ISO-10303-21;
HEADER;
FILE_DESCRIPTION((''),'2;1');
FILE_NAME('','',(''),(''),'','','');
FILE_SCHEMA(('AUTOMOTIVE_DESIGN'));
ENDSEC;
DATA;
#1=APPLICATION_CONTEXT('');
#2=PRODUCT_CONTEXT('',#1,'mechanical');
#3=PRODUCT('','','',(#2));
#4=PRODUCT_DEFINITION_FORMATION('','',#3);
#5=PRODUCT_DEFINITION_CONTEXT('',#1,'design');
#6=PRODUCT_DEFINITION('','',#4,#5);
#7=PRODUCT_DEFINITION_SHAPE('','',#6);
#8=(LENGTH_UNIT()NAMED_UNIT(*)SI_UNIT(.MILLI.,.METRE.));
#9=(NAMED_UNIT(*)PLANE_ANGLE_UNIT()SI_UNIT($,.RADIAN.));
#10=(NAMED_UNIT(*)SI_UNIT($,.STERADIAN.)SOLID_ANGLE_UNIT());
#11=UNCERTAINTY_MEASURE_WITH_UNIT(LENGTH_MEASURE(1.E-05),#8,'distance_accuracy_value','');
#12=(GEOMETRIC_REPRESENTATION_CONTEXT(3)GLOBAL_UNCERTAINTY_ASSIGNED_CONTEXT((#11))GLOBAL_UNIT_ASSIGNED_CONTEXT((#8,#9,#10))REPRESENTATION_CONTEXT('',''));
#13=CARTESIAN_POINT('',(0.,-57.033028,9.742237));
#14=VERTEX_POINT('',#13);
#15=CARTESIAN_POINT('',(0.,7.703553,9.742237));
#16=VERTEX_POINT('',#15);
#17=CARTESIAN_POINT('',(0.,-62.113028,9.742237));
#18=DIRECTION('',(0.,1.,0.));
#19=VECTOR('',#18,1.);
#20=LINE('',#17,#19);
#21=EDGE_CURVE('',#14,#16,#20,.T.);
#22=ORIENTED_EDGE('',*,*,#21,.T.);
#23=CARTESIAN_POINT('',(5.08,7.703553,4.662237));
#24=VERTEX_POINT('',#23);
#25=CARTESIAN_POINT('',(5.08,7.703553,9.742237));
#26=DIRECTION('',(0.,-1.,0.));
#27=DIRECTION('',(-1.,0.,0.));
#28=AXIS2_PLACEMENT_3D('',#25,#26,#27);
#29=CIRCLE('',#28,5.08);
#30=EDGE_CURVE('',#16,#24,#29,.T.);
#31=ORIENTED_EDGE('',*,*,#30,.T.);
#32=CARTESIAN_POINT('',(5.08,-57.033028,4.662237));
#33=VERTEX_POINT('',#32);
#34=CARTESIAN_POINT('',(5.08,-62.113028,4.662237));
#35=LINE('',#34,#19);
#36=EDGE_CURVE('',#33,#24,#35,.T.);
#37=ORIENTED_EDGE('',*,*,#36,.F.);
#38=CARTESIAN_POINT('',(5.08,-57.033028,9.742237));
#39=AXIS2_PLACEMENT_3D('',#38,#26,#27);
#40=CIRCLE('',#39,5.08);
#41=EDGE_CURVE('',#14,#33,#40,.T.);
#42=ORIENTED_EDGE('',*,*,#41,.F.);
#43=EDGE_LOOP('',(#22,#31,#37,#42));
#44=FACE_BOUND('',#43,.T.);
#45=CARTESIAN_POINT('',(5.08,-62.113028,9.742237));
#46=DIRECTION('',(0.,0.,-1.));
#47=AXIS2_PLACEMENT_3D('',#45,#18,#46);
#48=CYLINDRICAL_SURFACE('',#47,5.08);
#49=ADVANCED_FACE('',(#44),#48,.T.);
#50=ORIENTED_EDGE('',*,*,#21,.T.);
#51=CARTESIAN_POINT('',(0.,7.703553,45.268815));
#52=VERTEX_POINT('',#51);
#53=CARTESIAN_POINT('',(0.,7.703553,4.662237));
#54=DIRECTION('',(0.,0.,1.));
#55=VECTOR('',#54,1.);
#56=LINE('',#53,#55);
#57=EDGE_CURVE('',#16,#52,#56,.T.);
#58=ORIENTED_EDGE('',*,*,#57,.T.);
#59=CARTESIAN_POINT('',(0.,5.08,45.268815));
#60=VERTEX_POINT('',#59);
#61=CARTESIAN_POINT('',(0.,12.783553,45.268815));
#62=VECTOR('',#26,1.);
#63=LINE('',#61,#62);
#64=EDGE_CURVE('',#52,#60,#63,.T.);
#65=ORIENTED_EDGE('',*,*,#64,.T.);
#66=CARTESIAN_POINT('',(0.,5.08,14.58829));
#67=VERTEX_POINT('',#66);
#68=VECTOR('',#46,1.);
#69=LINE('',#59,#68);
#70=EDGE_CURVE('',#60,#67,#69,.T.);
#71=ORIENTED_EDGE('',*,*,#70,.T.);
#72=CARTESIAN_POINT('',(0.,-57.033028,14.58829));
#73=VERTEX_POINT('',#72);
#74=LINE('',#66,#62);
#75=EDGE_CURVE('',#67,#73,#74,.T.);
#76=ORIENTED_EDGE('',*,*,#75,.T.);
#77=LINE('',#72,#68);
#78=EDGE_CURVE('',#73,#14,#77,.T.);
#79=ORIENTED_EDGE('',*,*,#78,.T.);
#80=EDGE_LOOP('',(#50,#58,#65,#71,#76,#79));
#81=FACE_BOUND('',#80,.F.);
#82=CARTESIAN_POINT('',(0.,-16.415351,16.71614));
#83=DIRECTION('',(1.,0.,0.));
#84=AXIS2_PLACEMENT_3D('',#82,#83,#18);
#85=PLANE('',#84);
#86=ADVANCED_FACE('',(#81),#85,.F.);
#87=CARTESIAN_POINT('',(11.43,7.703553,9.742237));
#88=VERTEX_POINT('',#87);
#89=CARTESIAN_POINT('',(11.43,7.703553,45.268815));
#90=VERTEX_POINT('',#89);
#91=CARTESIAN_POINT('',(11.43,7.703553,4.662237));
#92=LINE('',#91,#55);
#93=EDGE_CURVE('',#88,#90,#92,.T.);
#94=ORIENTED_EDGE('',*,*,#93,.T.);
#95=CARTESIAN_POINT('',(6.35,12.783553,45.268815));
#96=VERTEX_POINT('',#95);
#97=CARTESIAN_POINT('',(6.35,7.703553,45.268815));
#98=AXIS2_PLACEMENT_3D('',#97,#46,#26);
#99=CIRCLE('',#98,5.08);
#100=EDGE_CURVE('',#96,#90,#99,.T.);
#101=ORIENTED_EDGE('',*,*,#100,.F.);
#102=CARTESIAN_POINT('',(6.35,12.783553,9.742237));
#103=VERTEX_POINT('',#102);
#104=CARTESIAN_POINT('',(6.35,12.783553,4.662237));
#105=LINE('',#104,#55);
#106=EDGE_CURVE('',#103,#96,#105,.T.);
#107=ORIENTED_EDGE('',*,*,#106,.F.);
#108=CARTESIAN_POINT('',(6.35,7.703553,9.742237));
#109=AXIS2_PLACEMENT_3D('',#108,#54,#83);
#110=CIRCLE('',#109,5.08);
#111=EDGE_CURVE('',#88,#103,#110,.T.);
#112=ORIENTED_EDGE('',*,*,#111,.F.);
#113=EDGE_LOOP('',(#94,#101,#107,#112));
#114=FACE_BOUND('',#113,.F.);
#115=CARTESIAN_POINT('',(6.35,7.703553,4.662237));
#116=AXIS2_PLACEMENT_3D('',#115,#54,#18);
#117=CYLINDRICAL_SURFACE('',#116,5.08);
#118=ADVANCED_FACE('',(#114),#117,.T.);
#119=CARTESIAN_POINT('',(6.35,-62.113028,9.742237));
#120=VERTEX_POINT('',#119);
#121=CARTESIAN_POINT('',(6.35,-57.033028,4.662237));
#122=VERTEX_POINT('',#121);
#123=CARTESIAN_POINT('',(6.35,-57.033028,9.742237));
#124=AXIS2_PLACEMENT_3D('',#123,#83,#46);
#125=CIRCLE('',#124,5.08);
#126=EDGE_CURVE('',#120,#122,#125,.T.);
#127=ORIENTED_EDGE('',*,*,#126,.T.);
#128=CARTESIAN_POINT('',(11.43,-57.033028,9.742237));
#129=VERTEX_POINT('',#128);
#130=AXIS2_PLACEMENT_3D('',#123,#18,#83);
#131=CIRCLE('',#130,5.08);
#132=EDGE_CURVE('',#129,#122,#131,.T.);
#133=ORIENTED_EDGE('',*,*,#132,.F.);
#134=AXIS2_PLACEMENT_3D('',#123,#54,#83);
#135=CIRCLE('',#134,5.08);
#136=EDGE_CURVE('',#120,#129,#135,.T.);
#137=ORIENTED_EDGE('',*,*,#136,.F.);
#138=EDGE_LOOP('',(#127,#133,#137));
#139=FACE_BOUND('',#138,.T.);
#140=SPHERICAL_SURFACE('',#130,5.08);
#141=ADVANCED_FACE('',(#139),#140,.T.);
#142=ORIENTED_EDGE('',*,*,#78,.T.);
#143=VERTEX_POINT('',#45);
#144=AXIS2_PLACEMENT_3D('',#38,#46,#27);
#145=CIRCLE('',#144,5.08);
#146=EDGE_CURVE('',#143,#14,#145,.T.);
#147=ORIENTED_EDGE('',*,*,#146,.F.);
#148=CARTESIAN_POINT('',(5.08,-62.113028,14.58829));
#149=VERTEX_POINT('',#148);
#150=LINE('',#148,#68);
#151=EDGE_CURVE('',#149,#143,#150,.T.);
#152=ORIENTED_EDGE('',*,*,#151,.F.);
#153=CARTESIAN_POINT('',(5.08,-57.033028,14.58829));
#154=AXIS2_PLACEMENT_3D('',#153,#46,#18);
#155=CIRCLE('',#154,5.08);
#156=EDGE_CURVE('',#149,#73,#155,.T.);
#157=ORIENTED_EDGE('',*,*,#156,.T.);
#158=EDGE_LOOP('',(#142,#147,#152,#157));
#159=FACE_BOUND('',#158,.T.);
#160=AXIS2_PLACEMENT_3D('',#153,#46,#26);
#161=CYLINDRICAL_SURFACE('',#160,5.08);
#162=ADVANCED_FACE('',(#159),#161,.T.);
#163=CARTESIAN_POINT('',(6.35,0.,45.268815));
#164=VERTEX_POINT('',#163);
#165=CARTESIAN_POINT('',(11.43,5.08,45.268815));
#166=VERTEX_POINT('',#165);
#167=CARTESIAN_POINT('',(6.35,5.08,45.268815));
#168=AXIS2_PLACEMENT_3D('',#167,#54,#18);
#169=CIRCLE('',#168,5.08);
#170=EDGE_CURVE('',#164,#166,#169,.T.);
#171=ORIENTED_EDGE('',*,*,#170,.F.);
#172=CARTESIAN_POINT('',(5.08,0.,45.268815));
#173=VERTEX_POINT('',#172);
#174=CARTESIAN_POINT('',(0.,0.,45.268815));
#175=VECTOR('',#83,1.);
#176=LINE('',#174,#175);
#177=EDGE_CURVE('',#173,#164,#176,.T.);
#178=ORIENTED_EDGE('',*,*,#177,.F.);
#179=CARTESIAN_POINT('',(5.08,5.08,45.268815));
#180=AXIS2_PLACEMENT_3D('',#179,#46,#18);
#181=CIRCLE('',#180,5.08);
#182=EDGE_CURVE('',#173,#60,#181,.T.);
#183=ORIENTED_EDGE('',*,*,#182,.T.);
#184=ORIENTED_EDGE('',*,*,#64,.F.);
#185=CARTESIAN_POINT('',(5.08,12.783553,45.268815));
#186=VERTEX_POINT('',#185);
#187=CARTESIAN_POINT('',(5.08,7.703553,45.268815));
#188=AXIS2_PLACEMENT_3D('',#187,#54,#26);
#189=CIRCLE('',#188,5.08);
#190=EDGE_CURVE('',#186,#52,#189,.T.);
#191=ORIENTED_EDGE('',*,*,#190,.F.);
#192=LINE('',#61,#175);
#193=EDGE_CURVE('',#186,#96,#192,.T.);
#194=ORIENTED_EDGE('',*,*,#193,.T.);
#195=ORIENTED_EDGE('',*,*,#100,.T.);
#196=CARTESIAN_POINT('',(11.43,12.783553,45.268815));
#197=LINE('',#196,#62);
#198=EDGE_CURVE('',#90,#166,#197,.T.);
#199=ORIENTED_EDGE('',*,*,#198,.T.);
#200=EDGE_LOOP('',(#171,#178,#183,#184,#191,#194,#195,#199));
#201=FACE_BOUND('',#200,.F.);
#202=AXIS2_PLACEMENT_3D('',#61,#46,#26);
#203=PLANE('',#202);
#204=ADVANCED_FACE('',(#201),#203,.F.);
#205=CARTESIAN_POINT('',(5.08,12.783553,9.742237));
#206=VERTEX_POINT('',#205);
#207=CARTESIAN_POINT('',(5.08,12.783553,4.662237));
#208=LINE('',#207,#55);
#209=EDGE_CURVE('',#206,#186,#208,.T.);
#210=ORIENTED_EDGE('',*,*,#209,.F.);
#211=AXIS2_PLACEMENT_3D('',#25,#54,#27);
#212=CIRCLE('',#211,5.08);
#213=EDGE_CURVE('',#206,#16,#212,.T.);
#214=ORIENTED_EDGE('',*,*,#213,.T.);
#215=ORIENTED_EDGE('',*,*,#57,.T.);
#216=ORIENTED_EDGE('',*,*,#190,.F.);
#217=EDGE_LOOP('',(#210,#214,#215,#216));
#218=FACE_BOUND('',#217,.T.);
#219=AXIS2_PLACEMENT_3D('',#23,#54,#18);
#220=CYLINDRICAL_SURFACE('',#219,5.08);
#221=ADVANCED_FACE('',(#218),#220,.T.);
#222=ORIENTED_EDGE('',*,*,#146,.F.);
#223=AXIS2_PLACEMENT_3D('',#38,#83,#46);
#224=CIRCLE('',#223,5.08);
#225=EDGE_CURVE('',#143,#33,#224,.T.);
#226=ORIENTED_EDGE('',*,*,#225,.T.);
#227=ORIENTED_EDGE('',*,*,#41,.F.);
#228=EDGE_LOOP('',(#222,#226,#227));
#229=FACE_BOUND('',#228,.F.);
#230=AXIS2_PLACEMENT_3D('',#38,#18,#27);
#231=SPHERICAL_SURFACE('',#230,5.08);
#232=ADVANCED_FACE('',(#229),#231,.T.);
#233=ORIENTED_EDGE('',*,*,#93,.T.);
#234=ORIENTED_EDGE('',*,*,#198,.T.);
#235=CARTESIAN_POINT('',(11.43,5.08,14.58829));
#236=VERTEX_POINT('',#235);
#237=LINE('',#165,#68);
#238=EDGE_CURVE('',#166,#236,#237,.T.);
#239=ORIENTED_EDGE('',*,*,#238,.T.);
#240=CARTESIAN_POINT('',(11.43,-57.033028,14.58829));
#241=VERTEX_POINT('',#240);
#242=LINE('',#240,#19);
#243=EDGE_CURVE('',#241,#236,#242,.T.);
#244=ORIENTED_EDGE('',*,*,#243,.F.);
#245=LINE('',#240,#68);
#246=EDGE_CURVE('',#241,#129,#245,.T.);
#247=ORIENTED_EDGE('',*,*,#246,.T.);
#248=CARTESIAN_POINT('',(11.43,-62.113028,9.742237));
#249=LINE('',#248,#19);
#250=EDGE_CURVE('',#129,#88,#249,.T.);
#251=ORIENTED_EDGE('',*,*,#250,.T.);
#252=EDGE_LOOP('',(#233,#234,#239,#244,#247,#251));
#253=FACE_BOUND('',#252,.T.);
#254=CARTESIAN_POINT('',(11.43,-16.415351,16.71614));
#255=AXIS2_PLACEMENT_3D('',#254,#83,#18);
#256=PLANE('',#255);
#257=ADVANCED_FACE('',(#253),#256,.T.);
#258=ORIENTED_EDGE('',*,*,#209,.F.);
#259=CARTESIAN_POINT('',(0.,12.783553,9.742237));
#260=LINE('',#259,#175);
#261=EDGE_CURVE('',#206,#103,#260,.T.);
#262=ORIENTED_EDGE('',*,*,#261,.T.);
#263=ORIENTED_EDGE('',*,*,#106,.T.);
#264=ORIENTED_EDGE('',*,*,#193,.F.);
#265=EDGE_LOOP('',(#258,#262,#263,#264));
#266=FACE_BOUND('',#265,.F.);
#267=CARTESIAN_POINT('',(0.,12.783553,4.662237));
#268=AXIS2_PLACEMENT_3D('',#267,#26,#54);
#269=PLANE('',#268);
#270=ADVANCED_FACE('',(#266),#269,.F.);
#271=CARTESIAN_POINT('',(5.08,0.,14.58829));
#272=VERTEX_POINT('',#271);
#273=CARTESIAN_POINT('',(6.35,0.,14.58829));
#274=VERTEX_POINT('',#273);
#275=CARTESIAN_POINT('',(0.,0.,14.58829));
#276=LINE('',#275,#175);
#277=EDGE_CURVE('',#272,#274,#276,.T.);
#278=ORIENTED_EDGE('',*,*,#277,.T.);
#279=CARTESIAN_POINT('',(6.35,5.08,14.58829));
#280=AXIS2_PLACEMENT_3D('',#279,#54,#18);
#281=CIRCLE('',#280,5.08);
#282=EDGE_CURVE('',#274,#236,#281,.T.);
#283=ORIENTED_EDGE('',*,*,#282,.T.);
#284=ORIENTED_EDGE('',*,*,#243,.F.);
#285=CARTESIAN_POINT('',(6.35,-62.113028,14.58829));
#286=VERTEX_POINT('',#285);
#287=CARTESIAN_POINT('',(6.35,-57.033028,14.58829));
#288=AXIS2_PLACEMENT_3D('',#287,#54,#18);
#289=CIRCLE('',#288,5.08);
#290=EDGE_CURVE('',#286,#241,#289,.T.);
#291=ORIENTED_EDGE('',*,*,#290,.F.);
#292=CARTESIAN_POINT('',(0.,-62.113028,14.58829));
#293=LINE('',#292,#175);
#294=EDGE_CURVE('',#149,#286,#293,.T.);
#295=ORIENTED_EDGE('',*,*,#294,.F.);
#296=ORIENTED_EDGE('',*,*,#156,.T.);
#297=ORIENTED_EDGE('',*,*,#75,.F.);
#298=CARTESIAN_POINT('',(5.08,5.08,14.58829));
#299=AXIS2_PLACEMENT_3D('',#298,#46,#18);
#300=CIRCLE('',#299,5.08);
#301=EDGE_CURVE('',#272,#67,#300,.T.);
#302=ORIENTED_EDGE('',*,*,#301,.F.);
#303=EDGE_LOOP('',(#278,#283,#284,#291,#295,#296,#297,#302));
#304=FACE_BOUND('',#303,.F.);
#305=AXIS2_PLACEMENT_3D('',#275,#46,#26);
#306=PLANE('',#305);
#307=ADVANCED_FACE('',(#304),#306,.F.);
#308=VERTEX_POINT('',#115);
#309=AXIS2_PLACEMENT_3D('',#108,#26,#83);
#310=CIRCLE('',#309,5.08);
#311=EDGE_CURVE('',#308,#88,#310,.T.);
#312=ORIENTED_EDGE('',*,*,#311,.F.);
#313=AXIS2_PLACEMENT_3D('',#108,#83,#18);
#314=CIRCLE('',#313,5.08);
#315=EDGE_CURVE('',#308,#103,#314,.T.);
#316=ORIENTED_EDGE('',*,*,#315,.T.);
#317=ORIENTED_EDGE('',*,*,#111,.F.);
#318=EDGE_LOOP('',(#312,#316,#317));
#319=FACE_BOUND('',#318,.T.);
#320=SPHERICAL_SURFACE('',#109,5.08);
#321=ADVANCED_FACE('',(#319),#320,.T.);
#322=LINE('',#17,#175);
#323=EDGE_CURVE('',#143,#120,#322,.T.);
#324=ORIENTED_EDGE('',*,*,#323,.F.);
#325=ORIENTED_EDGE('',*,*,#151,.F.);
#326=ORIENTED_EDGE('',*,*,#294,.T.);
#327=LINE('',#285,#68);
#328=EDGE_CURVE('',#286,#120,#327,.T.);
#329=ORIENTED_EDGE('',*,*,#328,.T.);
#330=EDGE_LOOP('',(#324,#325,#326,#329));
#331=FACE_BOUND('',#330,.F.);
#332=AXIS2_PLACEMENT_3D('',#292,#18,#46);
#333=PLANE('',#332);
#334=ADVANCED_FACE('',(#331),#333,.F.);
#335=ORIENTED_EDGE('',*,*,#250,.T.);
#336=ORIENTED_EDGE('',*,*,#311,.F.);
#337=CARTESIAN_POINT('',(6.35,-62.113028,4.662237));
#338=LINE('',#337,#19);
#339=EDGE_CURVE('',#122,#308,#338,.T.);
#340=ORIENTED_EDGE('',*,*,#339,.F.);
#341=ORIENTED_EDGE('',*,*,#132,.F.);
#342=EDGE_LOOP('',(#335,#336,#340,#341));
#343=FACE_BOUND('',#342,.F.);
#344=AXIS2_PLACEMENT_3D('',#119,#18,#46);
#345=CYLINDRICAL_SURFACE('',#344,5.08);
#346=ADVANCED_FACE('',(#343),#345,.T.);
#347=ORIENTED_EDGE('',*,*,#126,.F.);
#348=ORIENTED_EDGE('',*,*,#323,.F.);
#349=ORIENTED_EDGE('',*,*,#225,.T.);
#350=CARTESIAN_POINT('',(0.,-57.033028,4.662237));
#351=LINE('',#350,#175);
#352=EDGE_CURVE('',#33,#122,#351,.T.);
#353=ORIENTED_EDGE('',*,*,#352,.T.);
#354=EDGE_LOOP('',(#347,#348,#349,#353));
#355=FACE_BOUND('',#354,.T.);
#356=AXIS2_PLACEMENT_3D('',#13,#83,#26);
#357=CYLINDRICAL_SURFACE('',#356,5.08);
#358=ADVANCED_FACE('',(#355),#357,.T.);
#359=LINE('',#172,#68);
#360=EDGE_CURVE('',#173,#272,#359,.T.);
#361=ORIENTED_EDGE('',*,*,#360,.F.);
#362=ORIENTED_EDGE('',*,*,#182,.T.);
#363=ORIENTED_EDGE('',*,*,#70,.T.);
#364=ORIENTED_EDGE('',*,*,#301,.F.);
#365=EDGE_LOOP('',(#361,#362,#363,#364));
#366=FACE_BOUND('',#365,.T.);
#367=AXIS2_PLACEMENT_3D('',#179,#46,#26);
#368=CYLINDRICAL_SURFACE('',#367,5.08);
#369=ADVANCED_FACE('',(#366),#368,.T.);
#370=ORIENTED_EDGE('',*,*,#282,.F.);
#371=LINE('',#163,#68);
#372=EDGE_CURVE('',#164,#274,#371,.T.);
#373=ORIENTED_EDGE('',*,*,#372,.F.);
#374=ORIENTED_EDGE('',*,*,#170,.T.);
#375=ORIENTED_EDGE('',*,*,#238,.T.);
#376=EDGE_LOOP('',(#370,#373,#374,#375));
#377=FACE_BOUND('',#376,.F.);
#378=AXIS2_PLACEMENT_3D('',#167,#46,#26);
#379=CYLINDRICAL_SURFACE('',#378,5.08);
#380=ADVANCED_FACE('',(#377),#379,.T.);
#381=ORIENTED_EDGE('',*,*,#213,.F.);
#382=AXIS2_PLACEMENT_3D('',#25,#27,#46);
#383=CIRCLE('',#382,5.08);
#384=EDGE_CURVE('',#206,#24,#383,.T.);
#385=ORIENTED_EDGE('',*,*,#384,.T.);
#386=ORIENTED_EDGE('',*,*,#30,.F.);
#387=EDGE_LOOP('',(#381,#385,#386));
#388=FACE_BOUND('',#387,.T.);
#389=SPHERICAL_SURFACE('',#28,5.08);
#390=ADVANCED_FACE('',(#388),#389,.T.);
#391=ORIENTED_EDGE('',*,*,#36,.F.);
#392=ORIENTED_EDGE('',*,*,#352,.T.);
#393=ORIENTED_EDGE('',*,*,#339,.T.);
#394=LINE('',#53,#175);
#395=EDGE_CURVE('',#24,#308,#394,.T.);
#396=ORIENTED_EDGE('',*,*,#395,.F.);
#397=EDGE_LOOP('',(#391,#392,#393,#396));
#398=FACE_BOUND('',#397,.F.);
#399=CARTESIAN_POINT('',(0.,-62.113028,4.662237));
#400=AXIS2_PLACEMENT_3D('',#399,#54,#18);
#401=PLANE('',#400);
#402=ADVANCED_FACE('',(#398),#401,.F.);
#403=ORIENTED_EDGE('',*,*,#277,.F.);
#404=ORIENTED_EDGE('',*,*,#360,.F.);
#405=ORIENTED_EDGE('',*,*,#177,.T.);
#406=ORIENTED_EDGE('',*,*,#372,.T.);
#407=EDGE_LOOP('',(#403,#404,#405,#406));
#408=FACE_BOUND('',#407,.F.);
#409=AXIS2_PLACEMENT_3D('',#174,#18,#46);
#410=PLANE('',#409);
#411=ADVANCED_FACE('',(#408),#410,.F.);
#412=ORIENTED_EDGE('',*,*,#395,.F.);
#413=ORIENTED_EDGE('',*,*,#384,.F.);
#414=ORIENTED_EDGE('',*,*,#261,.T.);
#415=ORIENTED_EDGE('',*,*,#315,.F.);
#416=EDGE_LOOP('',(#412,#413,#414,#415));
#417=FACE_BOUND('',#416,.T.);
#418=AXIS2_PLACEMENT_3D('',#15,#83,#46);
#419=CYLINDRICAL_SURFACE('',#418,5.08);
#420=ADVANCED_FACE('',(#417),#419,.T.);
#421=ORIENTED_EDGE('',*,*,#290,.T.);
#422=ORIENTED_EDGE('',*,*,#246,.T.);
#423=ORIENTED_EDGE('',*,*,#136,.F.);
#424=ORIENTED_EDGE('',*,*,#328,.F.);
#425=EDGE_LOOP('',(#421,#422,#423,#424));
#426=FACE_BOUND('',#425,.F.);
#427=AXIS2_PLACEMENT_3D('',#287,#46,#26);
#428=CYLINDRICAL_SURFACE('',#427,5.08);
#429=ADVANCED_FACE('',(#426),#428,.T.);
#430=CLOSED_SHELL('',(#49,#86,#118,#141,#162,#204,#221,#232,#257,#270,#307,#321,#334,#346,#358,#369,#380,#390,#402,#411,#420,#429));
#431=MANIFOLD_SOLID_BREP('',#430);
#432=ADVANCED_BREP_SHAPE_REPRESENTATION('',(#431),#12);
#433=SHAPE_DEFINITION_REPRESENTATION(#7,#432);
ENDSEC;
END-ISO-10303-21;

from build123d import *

# Parameters (mm, degrees)
F1_DEPTH = 11.43
F2_R     = 5.08


with BuildPart() as f1:
    # F0 (on Right) → F1 (new body)
    with BuildSketch(Plane.YZ):
        Polygon((0, 14.58829), (-62.113028, 14.58829), (-62.113028, 4.662237), (12.783553, 4.662237), (12.783553, 45.268815), (0, 45.268815), align=None)
    extrude(amount=F1_DEPTH)

    # F2
    f2_edges = [f1.edges().sort_by_distance(p)[0] for p in [
        (11.43, 0, 29.928552),
        (0, 0, 29.928552),
        (11.43, 12.783553, 24.965526),
        (11.43, -24.664737, 4.662237),
        (0, -24.664737, 4.662237),
        (0, 12.783553, 24.965526),
        (0, -62.113028, 9.625264),
        (11.43, -62.113028, 9.625264),
        (5.715, -62.113028, 4.662237),
        (5.715, 12.783553, 4.662237),
    ]]
    fillet(f2_edges, radius=F2_R)


solid = f1.part
